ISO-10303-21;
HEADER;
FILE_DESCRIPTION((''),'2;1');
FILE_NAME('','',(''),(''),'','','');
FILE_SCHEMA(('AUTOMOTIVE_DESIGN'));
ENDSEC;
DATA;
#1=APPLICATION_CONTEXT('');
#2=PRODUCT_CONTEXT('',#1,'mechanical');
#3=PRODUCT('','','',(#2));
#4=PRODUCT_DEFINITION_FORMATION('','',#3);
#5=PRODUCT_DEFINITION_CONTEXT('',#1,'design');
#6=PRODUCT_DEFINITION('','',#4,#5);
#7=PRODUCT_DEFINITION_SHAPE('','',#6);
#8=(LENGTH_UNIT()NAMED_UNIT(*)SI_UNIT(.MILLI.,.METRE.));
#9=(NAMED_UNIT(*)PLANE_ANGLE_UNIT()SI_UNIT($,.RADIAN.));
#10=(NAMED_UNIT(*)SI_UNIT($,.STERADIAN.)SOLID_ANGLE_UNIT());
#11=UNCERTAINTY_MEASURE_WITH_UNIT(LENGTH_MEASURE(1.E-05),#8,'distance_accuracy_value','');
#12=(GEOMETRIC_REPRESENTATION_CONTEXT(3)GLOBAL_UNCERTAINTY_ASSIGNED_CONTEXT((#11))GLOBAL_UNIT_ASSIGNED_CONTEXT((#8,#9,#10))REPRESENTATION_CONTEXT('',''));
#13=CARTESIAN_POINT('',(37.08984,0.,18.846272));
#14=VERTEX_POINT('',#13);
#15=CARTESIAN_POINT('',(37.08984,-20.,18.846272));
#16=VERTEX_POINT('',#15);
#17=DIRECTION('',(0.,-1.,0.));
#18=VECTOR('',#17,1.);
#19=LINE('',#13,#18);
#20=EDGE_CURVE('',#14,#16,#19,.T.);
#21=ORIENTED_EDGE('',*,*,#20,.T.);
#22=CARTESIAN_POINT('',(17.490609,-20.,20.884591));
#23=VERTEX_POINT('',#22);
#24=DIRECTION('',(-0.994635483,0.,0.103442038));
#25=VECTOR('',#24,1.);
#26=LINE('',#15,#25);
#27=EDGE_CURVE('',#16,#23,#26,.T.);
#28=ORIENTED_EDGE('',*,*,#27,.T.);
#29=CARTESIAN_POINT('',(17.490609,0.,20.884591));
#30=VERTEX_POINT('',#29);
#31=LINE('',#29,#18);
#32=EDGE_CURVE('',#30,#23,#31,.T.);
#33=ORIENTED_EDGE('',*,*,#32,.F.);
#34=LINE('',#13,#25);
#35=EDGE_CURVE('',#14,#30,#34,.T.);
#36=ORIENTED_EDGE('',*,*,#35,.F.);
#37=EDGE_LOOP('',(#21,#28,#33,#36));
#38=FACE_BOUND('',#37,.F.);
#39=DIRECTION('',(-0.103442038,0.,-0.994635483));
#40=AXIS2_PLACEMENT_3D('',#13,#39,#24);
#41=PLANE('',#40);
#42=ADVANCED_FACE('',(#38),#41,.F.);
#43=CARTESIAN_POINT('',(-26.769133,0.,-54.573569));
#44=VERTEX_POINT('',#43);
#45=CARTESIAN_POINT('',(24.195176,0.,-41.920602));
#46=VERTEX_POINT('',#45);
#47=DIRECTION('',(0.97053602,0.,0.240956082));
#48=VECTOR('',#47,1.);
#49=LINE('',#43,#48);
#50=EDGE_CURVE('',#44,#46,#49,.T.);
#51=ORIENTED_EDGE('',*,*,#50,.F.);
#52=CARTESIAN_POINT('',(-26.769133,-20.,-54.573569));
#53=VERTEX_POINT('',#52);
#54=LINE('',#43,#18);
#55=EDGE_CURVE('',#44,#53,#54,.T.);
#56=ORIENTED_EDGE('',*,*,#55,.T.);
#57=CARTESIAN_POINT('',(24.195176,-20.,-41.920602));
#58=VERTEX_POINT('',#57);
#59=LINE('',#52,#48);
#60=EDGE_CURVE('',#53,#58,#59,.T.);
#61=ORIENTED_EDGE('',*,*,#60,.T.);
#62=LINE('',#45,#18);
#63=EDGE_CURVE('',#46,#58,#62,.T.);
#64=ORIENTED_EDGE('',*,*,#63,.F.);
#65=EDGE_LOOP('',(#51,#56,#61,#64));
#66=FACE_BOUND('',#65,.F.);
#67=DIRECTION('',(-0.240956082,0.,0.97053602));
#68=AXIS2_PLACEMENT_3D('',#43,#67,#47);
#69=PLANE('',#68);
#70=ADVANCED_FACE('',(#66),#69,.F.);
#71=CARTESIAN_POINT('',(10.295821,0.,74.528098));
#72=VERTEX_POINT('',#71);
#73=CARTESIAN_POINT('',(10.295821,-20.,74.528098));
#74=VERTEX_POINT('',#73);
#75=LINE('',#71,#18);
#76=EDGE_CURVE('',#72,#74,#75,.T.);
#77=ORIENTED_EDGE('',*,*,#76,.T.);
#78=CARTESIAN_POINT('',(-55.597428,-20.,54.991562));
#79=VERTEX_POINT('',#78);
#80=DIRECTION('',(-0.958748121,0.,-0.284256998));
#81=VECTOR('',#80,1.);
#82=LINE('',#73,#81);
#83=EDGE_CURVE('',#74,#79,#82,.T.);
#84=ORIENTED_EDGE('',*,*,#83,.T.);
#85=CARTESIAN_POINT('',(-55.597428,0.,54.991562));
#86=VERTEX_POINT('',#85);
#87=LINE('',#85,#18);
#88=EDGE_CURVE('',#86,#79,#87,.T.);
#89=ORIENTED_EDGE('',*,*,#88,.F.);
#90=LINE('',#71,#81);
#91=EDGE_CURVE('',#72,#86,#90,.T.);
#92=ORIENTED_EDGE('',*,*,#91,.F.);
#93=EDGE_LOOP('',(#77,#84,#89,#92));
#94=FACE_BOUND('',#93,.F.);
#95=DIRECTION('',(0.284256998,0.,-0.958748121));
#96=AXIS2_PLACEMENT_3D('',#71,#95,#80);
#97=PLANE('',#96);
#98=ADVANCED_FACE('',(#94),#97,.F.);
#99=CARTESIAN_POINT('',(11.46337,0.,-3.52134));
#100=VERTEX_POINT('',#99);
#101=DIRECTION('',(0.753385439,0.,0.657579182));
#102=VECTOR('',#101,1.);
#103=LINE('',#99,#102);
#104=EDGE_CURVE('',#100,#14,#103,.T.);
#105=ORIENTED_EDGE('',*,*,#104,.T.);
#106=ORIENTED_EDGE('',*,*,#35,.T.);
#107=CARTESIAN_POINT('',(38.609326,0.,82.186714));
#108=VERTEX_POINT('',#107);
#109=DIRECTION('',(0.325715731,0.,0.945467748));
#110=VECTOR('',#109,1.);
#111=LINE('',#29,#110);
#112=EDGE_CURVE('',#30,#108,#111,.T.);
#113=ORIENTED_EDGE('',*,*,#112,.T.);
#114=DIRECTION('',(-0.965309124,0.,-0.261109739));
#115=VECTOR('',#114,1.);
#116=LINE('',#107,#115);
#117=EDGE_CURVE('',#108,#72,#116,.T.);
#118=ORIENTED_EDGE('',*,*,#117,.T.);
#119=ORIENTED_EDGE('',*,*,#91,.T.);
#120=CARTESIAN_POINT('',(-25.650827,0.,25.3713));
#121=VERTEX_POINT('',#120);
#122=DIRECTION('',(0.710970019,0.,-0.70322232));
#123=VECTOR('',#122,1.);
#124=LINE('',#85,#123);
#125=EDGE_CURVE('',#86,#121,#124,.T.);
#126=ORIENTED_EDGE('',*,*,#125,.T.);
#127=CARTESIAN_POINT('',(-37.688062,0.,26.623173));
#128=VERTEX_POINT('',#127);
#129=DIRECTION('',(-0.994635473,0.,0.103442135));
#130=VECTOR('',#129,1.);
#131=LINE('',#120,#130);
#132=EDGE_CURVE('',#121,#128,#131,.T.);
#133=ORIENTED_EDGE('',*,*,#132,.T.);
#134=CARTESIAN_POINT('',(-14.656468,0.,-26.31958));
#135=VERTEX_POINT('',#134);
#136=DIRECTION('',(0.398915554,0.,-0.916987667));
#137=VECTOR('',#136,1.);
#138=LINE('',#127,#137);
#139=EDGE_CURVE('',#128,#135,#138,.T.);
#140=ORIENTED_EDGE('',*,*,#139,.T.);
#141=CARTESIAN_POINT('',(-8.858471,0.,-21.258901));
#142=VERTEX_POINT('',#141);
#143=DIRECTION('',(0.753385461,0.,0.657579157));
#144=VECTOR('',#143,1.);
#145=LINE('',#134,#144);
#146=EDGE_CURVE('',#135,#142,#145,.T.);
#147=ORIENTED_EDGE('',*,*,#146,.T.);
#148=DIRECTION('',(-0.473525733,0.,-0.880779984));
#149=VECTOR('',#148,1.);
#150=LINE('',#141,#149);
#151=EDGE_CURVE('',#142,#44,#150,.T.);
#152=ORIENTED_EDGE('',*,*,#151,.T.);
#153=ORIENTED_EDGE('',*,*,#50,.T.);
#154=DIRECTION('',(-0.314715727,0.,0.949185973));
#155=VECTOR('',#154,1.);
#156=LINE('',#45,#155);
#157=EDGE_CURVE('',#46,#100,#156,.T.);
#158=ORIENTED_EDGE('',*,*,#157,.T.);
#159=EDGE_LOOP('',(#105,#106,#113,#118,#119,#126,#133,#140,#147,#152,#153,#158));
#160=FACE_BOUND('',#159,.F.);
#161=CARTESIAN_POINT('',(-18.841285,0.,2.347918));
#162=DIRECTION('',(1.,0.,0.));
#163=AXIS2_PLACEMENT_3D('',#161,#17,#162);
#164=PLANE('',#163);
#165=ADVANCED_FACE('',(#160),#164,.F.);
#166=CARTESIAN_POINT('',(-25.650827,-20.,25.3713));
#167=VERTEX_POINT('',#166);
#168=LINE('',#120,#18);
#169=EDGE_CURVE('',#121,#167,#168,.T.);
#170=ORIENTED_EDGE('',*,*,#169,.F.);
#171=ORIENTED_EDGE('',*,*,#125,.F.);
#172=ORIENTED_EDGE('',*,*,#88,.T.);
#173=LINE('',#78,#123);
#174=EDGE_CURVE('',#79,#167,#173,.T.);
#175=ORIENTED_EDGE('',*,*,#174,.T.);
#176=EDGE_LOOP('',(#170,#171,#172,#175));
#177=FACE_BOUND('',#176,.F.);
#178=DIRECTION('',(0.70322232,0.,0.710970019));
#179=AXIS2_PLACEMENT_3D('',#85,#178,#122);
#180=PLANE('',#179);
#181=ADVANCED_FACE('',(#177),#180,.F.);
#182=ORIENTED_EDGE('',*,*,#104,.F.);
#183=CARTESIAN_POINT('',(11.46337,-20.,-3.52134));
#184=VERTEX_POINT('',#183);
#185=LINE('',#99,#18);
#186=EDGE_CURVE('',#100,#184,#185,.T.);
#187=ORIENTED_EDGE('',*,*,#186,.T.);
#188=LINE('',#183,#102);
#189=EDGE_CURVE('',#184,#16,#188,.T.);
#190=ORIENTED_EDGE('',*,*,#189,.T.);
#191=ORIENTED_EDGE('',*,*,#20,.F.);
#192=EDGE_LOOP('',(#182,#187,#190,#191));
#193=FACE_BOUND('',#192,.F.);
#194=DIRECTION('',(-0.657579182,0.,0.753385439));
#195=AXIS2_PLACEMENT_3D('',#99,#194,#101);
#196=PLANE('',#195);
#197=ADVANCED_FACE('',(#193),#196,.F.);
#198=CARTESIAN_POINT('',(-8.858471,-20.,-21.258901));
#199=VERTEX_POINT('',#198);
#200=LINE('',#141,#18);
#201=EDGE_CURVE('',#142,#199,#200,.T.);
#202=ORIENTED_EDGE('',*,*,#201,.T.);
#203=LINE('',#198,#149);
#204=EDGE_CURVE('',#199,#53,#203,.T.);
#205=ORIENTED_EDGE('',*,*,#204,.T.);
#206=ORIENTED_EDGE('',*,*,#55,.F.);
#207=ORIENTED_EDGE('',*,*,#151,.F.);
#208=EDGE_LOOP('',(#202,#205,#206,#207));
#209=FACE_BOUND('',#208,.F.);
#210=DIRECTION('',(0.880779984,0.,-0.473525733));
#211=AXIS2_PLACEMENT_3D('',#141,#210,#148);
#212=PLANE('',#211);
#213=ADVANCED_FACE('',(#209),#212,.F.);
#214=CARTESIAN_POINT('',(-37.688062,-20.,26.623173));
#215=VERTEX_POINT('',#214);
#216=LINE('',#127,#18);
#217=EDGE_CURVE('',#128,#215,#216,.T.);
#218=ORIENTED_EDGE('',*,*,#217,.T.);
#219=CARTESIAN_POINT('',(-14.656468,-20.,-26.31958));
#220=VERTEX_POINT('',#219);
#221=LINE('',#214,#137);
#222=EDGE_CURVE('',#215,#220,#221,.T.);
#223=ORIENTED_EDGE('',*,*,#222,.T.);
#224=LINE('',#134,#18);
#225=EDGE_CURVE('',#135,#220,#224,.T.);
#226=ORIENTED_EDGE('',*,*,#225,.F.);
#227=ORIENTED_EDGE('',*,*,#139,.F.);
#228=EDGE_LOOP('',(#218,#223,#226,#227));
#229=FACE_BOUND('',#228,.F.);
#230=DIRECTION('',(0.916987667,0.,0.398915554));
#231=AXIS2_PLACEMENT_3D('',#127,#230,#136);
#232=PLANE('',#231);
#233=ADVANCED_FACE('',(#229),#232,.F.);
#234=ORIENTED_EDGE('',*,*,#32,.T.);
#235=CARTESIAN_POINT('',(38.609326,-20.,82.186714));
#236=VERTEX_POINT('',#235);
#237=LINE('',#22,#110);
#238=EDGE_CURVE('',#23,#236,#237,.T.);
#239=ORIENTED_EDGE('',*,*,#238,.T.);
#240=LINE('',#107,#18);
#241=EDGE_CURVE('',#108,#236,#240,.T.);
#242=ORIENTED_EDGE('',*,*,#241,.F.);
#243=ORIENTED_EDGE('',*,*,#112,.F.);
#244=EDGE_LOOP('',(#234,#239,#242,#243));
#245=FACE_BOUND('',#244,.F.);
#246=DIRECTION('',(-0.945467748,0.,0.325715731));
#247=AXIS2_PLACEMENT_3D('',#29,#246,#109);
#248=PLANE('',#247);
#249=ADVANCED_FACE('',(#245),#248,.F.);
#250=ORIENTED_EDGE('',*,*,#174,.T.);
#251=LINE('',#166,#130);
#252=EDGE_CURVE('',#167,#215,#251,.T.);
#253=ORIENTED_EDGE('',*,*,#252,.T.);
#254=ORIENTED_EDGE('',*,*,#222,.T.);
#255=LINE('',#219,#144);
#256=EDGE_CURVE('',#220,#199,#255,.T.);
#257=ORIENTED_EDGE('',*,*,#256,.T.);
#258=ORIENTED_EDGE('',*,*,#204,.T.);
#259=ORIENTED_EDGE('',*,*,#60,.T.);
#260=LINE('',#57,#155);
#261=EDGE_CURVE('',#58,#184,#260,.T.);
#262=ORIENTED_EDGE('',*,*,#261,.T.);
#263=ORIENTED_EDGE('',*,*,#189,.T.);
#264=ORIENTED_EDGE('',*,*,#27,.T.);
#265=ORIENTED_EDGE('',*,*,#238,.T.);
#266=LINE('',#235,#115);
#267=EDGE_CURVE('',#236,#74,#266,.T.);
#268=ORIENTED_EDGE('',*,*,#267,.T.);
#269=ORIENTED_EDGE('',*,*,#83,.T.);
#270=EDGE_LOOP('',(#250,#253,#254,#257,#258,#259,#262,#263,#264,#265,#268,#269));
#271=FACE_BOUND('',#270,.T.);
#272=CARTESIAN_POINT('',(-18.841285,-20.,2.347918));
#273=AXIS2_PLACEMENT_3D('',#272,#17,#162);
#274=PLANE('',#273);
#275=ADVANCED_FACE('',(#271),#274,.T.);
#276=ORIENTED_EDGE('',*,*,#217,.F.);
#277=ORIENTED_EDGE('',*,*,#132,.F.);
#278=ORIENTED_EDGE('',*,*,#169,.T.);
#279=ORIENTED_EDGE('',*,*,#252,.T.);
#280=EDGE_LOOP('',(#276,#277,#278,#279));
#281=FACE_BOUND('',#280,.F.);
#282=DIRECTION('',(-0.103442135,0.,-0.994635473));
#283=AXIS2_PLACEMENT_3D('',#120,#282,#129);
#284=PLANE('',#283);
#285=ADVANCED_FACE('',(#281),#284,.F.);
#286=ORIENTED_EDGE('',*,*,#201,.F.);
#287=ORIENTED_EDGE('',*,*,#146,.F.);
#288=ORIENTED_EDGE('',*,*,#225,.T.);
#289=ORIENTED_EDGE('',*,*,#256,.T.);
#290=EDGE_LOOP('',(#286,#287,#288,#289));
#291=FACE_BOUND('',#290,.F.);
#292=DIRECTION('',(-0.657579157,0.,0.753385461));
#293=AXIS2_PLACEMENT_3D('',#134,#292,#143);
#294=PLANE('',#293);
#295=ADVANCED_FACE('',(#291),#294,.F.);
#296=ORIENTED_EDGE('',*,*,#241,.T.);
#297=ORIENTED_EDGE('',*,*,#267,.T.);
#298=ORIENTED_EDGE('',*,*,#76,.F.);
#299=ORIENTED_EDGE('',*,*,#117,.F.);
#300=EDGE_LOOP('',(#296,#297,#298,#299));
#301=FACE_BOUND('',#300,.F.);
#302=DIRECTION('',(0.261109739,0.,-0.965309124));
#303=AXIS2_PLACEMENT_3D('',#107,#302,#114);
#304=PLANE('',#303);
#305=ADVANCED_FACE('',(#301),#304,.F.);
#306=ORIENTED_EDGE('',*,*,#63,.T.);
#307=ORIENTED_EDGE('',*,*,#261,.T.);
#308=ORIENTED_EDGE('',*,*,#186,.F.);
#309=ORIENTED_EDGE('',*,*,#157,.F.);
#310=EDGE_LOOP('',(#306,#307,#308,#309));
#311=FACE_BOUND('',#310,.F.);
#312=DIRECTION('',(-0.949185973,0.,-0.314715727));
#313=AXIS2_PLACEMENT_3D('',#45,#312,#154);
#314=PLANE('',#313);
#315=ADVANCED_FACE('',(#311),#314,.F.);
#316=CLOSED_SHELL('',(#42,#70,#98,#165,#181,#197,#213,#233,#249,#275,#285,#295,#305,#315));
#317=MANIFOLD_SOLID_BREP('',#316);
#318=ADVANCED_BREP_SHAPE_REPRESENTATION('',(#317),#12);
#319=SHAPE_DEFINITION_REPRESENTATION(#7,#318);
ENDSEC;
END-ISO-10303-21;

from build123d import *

# Parameters (mm, degrees)
F1_DEPTH = 20


with BuildPart() as f1:
    # F0 (on Front) → F1 (new body)
    with BuildSketch(Plane.XZ):
        Polygon((0, -4.78173), (-16.802281, 16.61918), (-25.650827, 25.3713), (-37.688062, 26.623173), (-14.656468, -26.31958), (-8.858471, -21.258901), align=None)
        Polygon((-25.650827, 25.3713), (-16.802281, 16.61918), (0, -4.78173), (-8.858471, -21.258901), (11.46337, -3.52134), (10.295821, 0), (17.490609, 20.884591), align=None)
        Polygon((-55.597428, 54.991562), (-25.650827, 25.3713), (17.490609, 20.884591), (38.609326, 82.186714), (10.295821, 74.528098), align=None)
        Polygon((37.08984, 18.846272), (17.490609, 20.884591), (10.295821, 0), (11.46337, -3.52134), align=None)
        Polygon((11.46337, -3.52134), (-8.858471, -21.258901), (-26.769133, -54.573569), (24.195176, -41.920602), align=None)
    extrude(amount=F1_DEPTH)


solid = f1.part
